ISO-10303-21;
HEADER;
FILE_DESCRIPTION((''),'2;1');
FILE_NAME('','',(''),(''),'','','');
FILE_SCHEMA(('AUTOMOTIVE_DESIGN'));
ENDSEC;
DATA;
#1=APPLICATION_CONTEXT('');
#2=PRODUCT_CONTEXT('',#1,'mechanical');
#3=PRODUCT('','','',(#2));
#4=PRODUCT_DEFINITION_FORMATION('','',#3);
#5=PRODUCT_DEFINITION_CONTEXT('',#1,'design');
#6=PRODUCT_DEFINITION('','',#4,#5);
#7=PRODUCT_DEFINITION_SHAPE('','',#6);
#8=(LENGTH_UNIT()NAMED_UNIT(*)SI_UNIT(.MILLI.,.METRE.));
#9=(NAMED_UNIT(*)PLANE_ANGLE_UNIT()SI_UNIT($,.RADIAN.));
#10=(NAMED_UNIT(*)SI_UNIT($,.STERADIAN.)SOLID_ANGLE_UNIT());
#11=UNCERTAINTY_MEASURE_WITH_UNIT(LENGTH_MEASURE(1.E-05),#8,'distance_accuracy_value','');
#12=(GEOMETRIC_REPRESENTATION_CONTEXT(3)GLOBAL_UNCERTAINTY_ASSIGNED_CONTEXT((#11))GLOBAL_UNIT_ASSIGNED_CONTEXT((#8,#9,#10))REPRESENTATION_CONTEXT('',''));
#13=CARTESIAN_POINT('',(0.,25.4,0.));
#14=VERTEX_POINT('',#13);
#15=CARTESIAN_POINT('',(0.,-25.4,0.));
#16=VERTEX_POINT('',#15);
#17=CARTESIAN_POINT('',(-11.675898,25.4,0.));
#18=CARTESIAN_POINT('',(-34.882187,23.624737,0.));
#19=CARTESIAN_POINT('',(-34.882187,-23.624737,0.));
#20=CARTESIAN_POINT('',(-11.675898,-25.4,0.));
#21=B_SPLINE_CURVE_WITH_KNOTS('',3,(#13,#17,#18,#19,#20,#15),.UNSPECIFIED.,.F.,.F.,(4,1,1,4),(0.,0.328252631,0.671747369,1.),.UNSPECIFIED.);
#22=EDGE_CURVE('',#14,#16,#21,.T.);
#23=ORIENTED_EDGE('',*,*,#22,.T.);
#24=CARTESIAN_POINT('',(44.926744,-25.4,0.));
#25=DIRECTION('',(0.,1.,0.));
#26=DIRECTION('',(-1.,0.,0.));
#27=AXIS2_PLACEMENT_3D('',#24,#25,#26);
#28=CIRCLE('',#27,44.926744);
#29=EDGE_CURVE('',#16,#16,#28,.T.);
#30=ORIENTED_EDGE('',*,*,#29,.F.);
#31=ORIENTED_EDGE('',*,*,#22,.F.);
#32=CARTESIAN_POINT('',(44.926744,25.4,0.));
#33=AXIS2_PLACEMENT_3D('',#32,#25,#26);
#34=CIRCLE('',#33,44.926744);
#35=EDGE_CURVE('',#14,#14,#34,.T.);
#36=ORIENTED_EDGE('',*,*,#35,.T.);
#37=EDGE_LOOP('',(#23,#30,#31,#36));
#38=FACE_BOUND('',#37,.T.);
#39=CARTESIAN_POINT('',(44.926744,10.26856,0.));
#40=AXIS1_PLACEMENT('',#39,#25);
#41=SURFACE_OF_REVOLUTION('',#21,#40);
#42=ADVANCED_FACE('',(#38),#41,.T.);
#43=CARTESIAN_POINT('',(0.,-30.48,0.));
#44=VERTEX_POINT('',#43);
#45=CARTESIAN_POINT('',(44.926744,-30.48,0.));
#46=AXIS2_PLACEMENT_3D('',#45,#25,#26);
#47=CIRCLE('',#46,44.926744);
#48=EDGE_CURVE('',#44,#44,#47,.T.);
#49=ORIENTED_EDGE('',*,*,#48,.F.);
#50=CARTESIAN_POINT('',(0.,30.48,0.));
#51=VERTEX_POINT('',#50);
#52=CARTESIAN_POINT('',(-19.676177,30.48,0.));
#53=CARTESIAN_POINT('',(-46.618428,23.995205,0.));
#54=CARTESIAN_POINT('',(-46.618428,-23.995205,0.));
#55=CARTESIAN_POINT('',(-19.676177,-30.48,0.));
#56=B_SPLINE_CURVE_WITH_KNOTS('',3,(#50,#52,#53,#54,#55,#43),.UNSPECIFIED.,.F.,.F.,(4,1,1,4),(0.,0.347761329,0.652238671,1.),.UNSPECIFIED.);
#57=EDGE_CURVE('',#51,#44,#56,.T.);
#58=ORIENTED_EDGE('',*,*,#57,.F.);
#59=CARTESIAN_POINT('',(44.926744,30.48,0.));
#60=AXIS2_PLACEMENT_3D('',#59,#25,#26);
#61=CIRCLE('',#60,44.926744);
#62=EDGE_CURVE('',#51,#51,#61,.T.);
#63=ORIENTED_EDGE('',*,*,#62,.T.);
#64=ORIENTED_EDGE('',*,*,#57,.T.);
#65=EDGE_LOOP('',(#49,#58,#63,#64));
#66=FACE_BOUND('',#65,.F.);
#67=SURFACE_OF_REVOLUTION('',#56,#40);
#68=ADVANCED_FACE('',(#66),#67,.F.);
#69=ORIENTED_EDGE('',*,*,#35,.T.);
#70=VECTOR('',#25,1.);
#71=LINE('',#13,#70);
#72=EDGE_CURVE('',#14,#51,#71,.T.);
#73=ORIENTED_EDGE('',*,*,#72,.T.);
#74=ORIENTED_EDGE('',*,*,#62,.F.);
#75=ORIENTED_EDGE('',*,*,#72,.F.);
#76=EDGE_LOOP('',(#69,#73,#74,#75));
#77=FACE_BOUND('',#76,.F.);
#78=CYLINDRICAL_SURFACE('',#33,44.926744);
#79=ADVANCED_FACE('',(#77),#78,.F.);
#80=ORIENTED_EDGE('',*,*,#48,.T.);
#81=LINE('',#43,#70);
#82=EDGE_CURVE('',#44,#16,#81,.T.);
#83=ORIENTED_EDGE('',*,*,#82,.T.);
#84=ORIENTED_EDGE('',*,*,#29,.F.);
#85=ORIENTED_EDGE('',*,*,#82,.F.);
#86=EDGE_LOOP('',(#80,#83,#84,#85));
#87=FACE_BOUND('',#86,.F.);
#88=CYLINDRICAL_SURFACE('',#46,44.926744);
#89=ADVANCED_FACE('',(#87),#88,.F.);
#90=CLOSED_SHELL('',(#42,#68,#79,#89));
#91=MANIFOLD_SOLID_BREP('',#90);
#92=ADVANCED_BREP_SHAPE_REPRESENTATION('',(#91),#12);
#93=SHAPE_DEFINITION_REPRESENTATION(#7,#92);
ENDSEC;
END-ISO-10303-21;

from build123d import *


with BuildPart() as f1:
    # F0 (on Top) → F1 (revolve)
    with BuildSketch(Plane.XY):
        with BuildLine():
            Line((0, 25.4), (0, 30.48))
            add(Edge.make_bspline(
                [(0, 30.48), (-19.6761766656, 30.48), (-46.6184277392, 23.995204506), (-46.6184277392, -23.995204506), (-19.6761766656, -30.48), (0, -30.48)],
                knots=[0, 0, 0, 0, 0.347761329, 0.652238671, 1, 1, 1, 1], degree=3))
            Line((0, -30.48), (0, -25.4))
            add(Edge.make_bspline(
                [(0, 25.4), (-11.6758977738, 25.4), (-34.8821870927, 23.6247373079), (-34.8821870927, -23.6247373079), (-11.6758977738, -25.4), (0, -25.4)],
                knots=[0, 0, 0, 0, 0.3282526307, 0.6717473693, 1, 1, 1, 1], degree=3))
        make_face()
    revolve(axis=Axis((44.9267439544, 10.2685596794, 0), (0, 1, 0)))


solid = f1.part
